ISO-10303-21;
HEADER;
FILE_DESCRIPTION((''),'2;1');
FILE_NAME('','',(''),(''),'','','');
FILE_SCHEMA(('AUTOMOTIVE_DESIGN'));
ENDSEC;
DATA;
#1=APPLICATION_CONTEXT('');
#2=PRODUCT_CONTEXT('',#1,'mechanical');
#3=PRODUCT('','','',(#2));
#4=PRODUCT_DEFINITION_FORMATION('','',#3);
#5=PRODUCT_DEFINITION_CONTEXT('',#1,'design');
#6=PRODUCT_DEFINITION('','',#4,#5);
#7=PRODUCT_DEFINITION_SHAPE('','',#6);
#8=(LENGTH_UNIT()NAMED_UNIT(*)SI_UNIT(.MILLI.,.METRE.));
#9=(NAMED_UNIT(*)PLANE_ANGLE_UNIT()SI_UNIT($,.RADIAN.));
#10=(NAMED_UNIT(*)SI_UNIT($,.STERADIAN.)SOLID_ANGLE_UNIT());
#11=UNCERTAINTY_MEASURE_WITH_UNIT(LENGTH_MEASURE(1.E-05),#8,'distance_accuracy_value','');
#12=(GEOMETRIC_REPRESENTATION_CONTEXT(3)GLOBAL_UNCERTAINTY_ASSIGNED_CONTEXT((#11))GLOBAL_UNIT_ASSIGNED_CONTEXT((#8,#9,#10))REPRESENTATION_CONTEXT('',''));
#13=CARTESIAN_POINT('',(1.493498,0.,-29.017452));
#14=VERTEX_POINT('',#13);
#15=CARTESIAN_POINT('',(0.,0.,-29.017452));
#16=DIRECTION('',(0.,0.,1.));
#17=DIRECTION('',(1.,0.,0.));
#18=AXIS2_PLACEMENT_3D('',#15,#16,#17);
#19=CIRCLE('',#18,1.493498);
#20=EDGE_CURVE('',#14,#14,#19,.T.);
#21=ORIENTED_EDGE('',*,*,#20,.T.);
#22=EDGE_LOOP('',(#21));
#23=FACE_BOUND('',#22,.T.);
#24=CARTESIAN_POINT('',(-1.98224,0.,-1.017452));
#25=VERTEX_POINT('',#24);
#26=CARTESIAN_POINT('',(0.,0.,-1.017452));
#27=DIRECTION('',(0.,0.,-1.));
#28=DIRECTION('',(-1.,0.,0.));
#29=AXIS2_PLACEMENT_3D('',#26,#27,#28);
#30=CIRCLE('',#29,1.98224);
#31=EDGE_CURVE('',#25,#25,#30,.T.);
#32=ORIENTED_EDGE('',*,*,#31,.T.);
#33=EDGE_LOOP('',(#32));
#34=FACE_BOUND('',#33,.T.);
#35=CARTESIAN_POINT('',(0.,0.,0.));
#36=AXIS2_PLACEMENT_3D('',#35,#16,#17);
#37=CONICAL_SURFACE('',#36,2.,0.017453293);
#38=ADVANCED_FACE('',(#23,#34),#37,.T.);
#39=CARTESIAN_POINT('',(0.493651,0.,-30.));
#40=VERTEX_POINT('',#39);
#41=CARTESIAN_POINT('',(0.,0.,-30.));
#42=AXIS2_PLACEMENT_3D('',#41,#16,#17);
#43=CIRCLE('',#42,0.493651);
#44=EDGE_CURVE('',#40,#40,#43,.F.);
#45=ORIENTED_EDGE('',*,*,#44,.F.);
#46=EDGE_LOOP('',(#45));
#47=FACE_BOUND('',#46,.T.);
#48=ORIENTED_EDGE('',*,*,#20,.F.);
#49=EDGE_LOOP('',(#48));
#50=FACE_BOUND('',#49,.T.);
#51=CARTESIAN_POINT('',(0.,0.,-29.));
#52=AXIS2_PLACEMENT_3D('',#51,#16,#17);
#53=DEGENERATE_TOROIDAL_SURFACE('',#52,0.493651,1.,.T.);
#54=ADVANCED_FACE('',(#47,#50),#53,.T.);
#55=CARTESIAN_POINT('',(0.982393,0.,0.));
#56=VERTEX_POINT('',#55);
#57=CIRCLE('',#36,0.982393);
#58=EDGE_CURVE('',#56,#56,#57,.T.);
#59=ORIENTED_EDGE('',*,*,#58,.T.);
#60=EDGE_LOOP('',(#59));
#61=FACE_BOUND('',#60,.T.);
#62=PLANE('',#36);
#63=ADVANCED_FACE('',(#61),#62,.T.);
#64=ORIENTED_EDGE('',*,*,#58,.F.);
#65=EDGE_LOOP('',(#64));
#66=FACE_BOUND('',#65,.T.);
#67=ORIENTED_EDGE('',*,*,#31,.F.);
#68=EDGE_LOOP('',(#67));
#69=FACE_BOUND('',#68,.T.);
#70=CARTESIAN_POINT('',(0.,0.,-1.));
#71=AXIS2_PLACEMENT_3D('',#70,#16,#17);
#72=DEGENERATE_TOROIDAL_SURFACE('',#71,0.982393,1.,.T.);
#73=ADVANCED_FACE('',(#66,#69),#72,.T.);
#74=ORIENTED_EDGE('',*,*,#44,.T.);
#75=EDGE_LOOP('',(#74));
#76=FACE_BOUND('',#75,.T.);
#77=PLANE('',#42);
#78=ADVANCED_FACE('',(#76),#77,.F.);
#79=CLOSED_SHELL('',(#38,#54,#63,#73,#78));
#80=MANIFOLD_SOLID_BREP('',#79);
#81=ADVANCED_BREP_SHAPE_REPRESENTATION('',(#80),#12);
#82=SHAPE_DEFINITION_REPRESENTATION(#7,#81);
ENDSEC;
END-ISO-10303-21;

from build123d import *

# Parameters (mm, degrees)
SKETCH1_R           = 2
BOSS_EXTRUDE1_DEPTH = 30
BOSS_EXTRUDE1_DRAFT = -1
FILLET1_R           = 1


with BuildPart() as part:
    # Sketch1 → Boss-Extrude1 (with draft: the straight prism first)
    with BuildSketch(Plane.XY):
        Circle(SKETCH1_R)
    extrude(amount=-BOSS_EXTRUDE1_DEPTH)
    # Boss-Extrude1: the draft: its side faces are tilted about the plane it starts from
    boss_extrude1_sides = [part.faces().sort_by_distance(p)[0] for p in [
        (-2, 0, -15),
    ]]
    draft(boss_extrude1_sides, Plane.XY, BOSS_EXTRUDE1_DRAFT)

    # Fillet1
    fillet1_edges = [part.edges().sort_by_distance(p)[0] for p in [
        (-2, 0, 0),
        (-1.476348052, 0, -30),
    ]]
    fillet(fillet1_edges, radius=FILLET1_R)


solid = part.part
